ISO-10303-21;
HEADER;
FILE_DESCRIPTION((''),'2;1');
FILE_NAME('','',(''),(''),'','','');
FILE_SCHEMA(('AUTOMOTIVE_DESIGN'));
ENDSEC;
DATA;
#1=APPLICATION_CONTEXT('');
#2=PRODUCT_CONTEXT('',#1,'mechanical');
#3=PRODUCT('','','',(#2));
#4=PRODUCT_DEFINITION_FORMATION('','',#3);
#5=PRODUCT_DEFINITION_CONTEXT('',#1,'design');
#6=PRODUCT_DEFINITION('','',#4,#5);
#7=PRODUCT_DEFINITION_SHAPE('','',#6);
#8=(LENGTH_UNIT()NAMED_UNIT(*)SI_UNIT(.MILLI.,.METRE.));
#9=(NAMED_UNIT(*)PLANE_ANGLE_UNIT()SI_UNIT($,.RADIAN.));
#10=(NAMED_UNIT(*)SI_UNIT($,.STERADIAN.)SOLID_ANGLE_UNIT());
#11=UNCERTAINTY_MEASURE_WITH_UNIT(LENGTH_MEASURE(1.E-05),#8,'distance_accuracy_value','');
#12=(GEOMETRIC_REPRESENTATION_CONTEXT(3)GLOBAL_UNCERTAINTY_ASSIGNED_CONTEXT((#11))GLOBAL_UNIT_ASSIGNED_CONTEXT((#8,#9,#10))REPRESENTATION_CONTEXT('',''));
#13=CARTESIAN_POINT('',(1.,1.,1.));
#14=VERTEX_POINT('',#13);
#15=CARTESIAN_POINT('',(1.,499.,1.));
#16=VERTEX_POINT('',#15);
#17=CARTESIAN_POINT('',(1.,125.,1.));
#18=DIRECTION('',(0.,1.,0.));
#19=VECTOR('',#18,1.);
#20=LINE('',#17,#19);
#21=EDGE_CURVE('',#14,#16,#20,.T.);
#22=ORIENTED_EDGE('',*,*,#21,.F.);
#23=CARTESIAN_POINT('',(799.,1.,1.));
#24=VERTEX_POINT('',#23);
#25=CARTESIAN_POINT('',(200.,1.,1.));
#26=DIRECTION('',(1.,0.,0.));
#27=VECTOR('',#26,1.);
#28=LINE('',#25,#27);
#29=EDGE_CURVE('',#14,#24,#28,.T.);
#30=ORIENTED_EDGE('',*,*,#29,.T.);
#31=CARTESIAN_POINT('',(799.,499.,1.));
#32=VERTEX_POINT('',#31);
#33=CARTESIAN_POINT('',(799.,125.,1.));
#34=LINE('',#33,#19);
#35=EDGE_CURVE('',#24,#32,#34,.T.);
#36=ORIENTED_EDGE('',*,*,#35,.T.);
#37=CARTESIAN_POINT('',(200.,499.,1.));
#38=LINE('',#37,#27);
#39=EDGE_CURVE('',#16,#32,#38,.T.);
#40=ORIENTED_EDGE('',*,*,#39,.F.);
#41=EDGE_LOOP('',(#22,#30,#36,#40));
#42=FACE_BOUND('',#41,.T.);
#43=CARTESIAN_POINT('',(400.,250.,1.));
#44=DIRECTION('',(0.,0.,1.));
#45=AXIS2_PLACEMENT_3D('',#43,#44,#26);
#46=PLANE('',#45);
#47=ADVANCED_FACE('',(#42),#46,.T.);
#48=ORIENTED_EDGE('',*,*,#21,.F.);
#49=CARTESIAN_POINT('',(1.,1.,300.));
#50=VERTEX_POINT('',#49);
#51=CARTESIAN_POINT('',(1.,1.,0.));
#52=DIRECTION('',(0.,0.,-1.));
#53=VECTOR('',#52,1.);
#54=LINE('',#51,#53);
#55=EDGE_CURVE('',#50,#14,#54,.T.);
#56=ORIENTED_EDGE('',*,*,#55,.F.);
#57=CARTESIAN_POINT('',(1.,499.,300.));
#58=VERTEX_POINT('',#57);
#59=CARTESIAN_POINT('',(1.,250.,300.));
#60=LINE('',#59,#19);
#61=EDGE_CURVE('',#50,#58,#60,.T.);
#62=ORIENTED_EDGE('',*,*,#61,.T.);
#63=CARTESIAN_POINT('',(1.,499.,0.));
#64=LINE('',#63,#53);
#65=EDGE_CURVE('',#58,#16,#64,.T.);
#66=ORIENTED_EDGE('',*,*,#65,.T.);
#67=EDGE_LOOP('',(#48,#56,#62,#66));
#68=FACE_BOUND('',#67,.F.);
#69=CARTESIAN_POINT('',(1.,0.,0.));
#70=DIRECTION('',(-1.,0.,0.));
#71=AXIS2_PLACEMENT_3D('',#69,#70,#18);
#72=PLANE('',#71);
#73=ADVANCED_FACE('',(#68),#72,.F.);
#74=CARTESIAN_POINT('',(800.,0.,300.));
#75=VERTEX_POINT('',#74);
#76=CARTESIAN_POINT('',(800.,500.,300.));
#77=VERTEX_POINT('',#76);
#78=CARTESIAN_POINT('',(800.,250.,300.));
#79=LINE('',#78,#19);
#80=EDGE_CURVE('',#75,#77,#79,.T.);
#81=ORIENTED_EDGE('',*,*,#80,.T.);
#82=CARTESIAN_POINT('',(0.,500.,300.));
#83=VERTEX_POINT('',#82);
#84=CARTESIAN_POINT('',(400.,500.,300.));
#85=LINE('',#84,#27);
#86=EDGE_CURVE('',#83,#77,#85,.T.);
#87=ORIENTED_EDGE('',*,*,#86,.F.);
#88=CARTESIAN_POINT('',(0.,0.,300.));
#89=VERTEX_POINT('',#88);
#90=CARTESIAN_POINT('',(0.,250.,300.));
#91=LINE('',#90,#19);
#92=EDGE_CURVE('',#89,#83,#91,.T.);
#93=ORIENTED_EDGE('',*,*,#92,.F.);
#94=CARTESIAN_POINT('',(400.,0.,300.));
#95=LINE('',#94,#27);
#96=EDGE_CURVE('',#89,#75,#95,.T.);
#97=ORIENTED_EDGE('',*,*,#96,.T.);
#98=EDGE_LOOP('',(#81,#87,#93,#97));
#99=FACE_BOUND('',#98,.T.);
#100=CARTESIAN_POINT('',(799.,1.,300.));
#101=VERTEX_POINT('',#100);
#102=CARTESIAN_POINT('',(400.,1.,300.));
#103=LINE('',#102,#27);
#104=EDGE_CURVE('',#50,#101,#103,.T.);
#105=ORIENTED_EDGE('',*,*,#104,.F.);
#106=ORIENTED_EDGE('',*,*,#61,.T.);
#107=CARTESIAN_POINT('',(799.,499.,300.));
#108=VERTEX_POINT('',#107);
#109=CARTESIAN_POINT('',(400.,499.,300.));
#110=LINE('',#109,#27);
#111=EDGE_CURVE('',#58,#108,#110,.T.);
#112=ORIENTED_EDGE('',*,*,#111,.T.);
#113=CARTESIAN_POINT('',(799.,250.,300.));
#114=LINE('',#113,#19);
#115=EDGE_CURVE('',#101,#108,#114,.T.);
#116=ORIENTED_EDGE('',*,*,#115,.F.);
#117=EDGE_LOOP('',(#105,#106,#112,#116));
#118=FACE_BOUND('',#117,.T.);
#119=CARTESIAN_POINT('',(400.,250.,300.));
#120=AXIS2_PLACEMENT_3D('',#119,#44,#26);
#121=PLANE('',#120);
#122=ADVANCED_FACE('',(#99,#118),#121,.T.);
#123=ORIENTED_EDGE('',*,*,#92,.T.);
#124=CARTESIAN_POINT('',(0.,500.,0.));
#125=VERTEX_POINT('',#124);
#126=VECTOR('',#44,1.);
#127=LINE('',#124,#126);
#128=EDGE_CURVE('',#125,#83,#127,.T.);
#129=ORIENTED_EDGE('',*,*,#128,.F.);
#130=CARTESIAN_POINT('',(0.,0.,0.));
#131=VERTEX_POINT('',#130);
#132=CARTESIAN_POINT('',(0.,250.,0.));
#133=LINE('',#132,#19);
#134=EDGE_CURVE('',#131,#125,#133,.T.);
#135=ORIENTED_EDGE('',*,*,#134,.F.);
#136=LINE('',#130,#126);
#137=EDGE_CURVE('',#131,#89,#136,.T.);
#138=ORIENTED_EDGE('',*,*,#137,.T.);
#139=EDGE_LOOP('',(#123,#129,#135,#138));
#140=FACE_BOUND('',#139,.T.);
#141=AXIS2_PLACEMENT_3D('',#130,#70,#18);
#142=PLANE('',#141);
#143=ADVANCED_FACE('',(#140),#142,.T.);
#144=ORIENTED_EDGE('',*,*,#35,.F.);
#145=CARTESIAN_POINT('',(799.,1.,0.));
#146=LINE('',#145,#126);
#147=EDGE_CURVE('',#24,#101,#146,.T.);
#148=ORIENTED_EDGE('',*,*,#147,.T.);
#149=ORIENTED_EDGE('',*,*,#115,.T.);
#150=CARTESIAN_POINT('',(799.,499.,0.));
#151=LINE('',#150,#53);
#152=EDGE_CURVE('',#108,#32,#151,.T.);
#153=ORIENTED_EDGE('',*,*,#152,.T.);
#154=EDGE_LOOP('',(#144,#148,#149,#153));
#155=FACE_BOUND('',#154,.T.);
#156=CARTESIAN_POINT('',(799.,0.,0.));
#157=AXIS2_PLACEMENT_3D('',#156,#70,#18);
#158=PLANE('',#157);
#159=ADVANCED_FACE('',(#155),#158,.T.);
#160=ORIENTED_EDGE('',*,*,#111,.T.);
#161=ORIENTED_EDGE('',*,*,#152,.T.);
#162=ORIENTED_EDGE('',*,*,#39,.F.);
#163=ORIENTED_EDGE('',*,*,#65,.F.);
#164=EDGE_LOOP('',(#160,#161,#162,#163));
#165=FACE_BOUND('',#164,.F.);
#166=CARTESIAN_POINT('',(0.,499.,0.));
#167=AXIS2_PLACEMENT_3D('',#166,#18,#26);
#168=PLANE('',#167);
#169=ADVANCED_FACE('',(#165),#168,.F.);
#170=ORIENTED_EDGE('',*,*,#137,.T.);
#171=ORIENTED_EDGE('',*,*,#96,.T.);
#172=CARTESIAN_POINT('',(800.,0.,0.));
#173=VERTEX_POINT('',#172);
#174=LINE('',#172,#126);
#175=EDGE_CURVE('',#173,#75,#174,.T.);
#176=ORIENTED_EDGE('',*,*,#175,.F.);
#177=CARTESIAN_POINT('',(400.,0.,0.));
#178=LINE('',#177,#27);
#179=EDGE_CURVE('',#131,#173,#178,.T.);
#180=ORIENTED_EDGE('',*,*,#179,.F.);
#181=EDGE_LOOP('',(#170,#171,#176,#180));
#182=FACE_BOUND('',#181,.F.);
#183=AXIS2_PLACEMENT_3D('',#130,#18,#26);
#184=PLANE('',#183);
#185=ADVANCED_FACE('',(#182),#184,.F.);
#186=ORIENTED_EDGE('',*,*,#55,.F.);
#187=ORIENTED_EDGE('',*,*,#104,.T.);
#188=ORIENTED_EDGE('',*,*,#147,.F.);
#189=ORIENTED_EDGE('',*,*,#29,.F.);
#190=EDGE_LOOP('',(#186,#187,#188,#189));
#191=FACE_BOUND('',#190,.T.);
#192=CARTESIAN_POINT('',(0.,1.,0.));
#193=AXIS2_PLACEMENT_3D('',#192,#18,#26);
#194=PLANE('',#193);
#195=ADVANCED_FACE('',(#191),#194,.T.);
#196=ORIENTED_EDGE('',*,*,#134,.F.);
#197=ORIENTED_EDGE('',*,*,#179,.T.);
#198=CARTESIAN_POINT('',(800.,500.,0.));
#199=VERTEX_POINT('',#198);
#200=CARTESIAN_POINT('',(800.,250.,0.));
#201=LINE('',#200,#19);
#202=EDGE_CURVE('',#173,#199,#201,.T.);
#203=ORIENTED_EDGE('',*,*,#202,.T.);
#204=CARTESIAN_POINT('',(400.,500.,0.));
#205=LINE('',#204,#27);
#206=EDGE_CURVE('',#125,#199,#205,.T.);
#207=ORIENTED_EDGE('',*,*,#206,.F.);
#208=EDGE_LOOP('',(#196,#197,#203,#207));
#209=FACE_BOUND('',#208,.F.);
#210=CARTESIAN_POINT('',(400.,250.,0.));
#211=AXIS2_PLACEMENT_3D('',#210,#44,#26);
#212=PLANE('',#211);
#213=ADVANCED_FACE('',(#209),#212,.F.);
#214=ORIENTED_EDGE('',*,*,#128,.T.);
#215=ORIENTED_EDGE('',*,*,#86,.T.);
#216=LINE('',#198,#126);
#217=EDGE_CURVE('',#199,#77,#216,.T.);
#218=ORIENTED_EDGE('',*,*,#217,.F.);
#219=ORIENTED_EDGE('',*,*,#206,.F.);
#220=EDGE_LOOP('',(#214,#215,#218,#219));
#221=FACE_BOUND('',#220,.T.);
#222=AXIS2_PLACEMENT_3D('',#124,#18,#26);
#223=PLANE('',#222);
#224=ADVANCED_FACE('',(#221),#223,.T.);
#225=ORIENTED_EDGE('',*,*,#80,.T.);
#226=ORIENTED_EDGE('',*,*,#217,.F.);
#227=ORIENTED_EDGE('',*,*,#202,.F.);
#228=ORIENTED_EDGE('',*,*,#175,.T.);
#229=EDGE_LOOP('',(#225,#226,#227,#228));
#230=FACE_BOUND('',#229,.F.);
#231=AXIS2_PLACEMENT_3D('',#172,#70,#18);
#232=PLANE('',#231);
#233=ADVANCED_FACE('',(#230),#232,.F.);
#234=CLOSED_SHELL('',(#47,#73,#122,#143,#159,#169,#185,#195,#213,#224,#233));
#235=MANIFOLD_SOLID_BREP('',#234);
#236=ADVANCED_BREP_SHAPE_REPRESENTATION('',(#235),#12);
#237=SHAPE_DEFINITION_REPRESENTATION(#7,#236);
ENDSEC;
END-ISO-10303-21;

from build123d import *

# Parameters (mm, degrees)
F0_W     = 800
F0_H     = 500
F1_DEPTH = 300
F2_T     = -1
F4_DEPTH = 798


with BuildPart() as f1:
    # F0 (on Top) → F1 (new body)
    with BuildSketch(Plane.XY):
        with Locations((400, 250)):
            Rectangle(F0_W, F0_H)
    extrude(amount=F1_DEPTH)

    # F2
    f2_openings = [f1.faces().sort_by_distance(p)[0] for p in [
        (400, 250, 300),
    ]]
    offset(amount=F2_T, openings=f2_openings)


with BuildPart() as f4:
    # F3 (on Right) → F4 (new body)
    with BuildSketch(Plane.YZ):
        Polygon((-25, 0), (0, 0), (0, 2), (-23, 2), (-23, 25), (-25, 25), align=None)
    extrude(amount=F4_DEPTH)


solid = f1.part
